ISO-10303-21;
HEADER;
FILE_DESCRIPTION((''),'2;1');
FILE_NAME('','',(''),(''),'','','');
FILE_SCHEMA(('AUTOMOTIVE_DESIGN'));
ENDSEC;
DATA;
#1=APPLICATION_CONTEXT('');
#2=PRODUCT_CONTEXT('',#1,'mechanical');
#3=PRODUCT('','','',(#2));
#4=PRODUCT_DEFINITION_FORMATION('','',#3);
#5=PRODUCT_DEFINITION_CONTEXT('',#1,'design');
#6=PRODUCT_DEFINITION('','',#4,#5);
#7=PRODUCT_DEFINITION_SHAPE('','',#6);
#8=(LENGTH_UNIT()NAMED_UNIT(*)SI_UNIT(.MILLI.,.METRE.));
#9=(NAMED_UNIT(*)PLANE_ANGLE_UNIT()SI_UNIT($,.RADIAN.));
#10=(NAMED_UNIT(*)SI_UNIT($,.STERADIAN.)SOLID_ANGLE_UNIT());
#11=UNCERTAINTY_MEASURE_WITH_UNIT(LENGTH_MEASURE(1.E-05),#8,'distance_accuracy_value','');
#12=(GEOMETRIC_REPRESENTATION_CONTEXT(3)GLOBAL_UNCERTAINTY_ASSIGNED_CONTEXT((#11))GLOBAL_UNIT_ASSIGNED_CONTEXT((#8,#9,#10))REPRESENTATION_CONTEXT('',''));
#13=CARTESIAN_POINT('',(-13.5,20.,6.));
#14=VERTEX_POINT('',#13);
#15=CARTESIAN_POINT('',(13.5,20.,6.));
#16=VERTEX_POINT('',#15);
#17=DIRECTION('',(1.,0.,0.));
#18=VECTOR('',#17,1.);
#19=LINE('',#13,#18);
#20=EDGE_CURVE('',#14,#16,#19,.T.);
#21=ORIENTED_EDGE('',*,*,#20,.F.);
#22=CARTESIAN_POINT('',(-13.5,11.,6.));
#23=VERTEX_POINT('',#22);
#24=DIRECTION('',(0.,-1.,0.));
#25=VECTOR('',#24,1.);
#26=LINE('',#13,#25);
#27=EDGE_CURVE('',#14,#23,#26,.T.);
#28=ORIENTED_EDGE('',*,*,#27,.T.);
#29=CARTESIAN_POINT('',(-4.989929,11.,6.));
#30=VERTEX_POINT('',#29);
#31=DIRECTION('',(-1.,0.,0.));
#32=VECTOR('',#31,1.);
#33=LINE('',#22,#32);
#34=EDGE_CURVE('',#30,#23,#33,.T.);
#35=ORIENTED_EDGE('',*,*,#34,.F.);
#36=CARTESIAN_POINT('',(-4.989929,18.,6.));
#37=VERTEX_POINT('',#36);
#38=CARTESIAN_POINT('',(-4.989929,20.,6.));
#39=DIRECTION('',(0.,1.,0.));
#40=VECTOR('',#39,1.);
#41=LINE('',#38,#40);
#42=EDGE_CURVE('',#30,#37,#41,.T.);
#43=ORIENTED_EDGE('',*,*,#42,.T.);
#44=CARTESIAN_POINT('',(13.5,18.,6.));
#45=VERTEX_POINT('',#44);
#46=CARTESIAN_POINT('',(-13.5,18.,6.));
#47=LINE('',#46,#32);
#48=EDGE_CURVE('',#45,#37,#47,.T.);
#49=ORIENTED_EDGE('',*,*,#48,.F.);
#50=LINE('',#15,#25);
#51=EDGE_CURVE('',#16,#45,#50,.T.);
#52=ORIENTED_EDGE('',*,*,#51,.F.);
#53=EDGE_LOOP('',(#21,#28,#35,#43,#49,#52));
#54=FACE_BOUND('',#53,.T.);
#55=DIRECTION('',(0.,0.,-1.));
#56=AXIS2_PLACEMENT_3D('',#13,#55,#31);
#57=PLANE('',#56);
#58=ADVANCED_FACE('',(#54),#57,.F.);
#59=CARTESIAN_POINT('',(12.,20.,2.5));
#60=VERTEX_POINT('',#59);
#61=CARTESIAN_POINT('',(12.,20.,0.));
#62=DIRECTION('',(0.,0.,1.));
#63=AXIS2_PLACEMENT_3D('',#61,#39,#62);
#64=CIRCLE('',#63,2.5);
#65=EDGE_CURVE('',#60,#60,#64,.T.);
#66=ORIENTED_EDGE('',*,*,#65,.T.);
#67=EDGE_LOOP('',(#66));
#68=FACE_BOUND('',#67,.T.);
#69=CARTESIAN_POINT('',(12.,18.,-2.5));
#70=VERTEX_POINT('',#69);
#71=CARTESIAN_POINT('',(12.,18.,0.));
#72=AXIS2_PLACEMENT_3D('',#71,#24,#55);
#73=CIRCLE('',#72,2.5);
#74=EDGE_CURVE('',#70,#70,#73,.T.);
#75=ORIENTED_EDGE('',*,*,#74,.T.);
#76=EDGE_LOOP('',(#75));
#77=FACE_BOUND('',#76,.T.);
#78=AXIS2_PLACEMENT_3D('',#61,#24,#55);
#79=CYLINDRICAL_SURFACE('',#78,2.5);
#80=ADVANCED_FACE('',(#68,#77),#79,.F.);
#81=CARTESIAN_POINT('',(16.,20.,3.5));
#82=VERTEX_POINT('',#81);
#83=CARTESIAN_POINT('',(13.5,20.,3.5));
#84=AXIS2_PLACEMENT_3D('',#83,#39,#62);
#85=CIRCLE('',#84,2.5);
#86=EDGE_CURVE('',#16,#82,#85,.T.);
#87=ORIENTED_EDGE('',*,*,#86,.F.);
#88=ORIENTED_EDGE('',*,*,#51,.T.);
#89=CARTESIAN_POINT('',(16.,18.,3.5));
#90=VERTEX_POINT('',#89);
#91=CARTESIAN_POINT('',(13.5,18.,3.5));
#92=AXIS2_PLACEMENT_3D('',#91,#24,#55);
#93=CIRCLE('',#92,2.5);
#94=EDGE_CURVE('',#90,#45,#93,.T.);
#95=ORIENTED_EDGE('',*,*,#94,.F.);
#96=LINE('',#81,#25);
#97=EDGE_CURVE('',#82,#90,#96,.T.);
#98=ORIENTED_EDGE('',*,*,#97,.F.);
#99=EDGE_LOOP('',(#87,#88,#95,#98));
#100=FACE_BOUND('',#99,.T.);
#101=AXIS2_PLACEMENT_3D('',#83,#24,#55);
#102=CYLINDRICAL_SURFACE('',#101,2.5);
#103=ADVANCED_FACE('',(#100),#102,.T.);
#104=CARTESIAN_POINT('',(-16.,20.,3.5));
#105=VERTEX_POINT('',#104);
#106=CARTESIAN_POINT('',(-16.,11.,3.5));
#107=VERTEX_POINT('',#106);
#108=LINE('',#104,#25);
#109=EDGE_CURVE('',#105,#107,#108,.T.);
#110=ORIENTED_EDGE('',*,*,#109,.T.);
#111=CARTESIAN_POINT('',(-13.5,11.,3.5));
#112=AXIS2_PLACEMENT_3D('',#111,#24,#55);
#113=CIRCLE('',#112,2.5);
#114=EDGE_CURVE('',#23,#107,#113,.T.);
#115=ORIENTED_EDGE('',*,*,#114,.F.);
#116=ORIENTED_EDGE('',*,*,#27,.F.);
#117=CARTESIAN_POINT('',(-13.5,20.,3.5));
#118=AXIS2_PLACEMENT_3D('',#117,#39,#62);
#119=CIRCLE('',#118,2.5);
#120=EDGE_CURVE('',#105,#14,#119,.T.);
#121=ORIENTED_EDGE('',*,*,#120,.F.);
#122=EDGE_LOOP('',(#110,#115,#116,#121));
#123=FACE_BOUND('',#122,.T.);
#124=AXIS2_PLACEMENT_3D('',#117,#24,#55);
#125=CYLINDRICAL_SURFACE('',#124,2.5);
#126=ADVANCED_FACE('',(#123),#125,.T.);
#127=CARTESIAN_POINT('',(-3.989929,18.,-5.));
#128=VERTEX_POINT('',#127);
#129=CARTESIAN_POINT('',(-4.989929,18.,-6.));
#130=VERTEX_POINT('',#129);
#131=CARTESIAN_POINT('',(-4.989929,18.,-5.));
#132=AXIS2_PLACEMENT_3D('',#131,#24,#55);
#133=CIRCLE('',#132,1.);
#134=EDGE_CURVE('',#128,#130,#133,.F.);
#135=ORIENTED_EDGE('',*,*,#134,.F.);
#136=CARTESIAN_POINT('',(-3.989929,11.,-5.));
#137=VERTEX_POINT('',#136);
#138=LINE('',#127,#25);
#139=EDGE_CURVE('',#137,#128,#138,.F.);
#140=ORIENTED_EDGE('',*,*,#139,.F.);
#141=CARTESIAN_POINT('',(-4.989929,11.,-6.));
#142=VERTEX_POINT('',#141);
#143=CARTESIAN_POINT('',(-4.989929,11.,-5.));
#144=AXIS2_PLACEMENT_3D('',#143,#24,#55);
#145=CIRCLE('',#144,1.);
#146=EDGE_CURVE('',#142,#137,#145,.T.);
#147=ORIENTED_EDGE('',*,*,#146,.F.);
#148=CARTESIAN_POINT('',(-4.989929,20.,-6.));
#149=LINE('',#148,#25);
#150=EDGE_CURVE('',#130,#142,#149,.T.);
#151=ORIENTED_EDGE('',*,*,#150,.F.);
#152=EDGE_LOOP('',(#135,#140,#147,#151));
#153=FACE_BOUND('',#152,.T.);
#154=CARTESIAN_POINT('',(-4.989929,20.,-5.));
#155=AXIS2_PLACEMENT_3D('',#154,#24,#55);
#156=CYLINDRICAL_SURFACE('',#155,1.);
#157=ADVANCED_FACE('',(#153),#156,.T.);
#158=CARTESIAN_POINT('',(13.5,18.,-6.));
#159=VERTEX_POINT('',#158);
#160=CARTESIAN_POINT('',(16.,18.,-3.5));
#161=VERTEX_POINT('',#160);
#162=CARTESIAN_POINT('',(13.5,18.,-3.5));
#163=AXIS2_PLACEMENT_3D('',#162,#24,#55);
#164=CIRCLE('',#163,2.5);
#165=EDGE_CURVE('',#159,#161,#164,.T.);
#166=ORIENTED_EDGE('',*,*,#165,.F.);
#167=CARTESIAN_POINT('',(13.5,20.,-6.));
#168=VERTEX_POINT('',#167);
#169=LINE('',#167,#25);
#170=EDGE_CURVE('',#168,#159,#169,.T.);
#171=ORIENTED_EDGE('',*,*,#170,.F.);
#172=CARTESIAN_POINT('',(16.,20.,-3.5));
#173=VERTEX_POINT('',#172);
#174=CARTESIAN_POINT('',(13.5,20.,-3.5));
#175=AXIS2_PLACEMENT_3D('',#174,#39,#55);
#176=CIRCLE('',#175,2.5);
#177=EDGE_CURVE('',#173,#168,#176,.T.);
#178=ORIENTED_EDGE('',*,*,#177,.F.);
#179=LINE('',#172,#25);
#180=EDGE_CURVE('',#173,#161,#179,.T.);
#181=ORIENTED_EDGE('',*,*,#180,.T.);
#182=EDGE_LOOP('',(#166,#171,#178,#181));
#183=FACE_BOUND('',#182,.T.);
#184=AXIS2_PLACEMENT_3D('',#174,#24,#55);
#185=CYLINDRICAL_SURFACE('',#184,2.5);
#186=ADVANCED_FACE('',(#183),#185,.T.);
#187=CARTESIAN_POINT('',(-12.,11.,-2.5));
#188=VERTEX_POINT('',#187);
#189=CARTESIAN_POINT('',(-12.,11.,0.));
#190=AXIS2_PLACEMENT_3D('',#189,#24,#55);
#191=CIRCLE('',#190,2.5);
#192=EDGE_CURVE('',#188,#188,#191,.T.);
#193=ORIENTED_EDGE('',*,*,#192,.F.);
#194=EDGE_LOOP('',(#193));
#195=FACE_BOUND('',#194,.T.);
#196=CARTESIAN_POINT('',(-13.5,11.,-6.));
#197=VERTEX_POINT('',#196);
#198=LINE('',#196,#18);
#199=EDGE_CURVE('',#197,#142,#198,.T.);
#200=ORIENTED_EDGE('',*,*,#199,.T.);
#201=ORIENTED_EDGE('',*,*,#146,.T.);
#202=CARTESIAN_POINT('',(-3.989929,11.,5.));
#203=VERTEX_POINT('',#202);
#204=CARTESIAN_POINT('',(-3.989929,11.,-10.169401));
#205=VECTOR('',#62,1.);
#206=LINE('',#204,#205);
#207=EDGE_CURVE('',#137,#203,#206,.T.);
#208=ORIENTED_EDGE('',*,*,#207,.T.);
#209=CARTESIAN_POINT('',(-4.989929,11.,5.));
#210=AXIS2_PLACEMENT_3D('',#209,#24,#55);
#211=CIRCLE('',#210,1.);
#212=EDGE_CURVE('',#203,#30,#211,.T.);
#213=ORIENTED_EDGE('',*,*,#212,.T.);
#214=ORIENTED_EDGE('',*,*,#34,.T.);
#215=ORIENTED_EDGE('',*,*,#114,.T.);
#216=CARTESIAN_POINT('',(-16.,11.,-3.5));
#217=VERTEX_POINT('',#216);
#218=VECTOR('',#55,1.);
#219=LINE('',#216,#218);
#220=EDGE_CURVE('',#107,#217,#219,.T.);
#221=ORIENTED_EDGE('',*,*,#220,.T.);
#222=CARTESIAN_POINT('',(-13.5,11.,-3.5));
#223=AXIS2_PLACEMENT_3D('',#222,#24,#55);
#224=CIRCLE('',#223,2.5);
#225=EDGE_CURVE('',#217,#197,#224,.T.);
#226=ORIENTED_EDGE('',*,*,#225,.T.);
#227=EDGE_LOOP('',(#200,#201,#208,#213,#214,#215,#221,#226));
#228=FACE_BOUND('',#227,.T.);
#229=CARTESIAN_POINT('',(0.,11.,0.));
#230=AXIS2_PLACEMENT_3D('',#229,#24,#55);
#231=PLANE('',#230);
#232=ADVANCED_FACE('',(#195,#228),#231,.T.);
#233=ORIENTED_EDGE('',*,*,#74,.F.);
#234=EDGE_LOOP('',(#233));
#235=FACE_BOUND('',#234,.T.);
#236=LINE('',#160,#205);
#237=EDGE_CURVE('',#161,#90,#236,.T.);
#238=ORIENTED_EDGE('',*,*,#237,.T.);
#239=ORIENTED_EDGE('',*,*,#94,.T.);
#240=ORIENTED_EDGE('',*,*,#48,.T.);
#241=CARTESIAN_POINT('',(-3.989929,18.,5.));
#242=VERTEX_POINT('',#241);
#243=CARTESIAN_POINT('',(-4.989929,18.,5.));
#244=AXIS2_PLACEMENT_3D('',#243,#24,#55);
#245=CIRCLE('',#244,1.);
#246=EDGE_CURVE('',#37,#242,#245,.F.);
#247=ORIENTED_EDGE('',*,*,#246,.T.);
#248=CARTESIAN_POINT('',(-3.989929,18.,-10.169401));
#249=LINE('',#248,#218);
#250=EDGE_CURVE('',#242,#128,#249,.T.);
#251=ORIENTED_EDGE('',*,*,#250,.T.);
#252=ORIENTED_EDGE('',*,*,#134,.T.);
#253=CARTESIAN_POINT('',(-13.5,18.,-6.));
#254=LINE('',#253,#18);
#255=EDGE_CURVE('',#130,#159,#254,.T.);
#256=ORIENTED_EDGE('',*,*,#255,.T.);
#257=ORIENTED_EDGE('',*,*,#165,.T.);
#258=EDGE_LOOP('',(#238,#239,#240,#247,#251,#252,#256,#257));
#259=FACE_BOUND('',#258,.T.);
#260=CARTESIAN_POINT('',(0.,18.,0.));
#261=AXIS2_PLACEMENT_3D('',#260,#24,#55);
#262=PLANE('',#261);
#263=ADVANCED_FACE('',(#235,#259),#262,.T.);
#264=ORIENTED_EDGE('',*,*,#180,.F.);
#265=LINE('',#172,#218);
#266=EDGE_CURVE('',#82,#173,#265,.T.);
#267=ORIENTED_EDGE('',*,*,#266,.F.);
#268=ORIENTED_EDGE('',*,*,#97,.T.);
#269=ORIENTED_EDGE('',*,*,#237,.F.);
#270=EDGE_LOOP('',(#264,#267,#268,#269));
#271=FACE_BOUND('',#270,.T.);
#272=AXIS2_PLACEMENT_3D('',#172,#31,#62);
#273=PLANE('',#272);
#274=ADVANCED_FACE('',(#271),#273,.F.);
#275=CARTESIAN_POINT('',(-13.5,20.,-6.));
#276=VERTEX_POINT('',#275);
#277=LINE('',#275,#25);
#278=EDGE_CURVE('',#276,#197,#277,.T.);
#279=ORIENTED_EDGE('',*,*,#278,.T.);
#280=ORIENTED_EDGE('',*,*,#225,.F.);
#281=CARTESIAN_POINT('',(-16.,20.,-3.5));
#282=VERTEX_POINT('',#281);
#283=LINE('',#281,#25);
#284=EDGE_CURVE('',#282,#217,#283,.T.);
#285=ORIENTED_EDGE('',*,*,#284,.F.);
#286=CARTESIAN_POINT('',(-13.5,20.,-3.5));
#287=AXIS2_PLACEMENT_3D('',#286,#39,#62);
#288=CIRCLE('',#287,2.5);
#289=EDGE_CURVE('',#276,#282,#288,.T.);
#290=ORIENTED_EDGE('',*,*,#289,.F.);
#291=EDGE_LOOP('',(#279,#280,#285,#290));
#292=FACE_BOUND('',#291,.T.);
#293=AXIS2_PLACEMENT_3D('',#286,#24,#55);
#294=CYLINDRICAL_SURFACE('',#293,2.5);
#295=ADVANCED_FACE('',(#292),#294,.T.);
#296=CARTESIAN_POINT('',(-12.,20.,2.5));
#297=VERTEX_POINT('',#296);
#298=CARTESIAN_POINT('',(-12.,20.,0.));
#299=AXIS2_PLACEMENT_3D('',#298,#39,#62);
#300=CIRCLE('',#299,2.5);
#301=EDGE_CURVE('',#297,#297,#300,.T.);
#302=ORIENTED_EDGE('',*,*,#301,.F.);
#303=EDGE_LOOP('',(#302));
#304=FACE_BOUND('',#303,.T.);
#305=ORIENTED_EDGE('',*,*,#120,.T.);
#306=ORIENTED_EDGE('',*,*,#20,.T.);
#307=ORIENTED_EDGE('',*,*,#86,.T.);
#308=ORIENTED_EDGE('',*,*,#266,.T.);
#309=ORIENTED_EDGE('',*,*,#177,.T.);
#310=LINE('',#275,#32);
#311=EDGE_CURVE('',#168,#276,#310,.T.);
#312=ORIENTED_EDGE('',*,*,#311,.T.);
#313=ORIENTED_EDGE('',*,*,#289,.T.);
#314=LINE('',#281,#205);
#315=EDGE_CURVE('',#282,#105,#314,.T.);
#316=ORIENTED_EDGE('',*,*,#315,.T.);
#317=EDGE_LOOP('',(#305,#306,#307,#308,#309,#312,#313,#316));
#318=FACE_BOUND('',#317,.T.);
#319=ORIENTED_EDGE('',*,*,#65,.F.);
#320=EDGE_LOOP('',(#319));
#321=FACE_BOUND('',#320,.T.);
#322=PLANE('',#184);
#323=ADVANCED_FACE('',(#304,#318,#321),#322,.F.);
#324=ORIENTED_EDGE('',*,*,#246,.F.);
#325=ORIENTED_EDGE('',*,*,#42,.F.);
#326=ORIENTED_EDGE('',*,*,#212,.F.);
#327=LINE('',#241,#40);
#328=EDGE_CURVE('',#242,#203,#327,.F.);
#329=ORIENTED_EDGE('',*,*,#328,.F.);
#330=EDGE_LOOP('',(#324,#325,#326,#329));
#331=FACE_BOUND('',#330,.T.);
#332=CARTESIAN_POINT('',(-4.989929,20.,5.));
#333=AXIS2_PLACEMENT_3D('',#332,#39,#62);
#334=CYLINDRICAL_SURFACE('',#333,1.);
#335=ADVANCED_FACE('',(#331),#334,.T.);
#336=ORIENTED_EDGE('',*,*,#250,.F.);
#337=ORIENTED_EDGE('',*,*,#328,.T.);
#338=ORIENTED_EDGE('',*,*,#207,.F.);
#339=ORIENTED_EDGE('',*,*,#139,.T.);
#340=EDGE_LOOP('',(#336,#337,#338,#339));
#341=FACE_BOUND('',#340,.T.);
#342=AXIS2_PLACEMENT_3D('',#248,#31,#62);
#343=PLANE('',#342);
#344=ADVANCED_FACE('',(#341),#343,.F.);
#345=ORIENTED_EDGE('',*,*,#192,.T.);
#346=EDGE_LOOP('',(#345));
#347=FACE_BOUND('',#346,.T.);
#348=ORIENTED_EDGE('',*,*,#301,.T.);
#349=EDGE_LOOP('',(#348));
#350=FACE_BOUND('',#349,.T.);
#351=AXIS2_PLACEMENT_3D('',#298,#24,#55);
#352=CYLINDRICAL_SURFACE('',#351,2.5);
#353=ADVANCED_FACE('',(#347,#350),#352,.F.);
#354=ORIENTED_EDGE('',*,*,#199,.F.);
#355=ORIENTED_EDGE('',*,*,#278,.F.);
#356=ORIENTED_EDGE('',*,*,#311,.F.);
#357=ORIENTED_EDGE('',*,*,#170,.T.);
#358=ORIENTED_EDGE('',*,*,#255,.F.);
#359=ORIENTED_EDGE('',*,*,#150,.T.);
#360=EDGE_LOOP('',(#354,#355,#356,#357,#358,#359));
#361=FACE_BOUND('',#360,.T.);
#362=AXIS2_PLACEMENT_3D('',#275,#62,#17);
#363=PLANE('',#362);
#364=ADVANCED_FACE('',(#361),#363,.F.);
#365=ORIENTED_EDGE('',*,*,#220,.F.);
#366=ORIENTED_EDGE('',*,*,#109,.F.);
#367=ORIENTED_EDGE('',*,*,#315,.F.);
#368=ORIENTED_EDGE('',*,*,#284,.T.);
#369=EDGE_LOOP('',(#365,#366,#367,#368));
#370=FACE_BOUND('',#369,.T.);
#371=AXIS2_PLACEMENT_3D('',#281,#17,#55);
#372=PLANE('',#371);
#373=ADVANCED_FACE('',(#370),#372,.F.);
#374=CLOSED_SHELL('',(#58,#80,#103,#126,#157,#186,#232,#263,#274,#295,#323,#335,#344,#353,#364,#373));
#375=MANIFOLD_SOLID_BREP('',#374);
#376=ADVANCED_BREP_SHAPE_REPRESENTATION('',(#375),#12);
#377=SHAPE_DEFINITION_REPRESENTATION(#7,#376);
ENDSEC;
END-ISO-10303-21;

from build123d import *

# Parameters (mm, degrees)
SKETCH_1_R          = 2.5
EXTRUDE_1_DEPTH     = 20
SKETCH_2_W          = 28.6658273
SKETCH_2_H          = 20.338801826
CUT_EXTRUDE_1_DEPTH = 18
SKETCH_3_W          = 21.28696294
SKETCH_3_H          = 15.18623143
CUT_EXTRUDE_2_DEPTH = 11
FILLET_1_R          = 1


with BuildPart() as part:
    # Эскиз1 → Бобышка-Вытянуть1 (new body)
    with BuildSketch(Plane(origin=(0, 0, 0), x_dir=(1, 0, 0), z_dir=(0, 1, 0))):
        with BuildLine():
            Line((-13.5, 6), (13.5, 6))
            ThreePointArc((13.5, 6), (15.267766953, 5.267766953), (16, 3.5))
            Line((16, 3.5), (16, -3.5))
            ThreePointArc((16, -3.5), (15.267766953, -5.267766953), (13.5, -6))
            Line((13.5, -6), (-13.5, -6))
            ThreePointArc((-13.5, -6), (-15.267766953, -5.267766953), (-16, -3.5))
            Line((-16, -3.5), (-16, 3.5))
            ThreePointArc((-16, 3.5), (-15.267766953, 5.267766953), (-13.5, 6))
        make_face()
        with Locations(Location((-12, 0, 0), (0, 0, 270))):
            Circle(SKETCH_1_R, mode=Mode.SUBTRACT)
        with Locations(Location((12, 0, 0), (0, 0, 270))):
            Circle(SKETCH_1_R, mode=Mode.SUBTRACT)
    extrude(amount=EXTRUDE_1_DEPTH)

    # Эскиз2 → Вырез-Вытянуть1 (cut)
    with BuildSketch(Plane.XZ):
        with Locations((10.342984763, 0)):
            Rectangle(SKETCH_2_W, SKETCH_2_H)
    extrude(amount=-CUT_EXTRUDE_1_DEPTH, mode=Mode.SUBTRACT)

    # Эскиз3 → Вырез-Вытянуть2 (cut)
    with BuildSketch(Plane.XZ):
        with Locations((-5.752302283, -0.036989119)):
            Rectangle(SKETCH_3_W, SKETCH_3_H)
    extrude(amount=-CUT_EXTRUDE_2_DEPTH, mode=Mode.SUBTRACT)

    # Скругление1
    fillet_1_edges = [part.edges().sort_by_distance(p)[0] for p in [
        (-3.989928887, 14.5, -6),
        (-3.989928887, 14.5, 6),
    ]]
    fillet(fillet_1_edges, radius=FILLET_1_R)


solid = part.part
